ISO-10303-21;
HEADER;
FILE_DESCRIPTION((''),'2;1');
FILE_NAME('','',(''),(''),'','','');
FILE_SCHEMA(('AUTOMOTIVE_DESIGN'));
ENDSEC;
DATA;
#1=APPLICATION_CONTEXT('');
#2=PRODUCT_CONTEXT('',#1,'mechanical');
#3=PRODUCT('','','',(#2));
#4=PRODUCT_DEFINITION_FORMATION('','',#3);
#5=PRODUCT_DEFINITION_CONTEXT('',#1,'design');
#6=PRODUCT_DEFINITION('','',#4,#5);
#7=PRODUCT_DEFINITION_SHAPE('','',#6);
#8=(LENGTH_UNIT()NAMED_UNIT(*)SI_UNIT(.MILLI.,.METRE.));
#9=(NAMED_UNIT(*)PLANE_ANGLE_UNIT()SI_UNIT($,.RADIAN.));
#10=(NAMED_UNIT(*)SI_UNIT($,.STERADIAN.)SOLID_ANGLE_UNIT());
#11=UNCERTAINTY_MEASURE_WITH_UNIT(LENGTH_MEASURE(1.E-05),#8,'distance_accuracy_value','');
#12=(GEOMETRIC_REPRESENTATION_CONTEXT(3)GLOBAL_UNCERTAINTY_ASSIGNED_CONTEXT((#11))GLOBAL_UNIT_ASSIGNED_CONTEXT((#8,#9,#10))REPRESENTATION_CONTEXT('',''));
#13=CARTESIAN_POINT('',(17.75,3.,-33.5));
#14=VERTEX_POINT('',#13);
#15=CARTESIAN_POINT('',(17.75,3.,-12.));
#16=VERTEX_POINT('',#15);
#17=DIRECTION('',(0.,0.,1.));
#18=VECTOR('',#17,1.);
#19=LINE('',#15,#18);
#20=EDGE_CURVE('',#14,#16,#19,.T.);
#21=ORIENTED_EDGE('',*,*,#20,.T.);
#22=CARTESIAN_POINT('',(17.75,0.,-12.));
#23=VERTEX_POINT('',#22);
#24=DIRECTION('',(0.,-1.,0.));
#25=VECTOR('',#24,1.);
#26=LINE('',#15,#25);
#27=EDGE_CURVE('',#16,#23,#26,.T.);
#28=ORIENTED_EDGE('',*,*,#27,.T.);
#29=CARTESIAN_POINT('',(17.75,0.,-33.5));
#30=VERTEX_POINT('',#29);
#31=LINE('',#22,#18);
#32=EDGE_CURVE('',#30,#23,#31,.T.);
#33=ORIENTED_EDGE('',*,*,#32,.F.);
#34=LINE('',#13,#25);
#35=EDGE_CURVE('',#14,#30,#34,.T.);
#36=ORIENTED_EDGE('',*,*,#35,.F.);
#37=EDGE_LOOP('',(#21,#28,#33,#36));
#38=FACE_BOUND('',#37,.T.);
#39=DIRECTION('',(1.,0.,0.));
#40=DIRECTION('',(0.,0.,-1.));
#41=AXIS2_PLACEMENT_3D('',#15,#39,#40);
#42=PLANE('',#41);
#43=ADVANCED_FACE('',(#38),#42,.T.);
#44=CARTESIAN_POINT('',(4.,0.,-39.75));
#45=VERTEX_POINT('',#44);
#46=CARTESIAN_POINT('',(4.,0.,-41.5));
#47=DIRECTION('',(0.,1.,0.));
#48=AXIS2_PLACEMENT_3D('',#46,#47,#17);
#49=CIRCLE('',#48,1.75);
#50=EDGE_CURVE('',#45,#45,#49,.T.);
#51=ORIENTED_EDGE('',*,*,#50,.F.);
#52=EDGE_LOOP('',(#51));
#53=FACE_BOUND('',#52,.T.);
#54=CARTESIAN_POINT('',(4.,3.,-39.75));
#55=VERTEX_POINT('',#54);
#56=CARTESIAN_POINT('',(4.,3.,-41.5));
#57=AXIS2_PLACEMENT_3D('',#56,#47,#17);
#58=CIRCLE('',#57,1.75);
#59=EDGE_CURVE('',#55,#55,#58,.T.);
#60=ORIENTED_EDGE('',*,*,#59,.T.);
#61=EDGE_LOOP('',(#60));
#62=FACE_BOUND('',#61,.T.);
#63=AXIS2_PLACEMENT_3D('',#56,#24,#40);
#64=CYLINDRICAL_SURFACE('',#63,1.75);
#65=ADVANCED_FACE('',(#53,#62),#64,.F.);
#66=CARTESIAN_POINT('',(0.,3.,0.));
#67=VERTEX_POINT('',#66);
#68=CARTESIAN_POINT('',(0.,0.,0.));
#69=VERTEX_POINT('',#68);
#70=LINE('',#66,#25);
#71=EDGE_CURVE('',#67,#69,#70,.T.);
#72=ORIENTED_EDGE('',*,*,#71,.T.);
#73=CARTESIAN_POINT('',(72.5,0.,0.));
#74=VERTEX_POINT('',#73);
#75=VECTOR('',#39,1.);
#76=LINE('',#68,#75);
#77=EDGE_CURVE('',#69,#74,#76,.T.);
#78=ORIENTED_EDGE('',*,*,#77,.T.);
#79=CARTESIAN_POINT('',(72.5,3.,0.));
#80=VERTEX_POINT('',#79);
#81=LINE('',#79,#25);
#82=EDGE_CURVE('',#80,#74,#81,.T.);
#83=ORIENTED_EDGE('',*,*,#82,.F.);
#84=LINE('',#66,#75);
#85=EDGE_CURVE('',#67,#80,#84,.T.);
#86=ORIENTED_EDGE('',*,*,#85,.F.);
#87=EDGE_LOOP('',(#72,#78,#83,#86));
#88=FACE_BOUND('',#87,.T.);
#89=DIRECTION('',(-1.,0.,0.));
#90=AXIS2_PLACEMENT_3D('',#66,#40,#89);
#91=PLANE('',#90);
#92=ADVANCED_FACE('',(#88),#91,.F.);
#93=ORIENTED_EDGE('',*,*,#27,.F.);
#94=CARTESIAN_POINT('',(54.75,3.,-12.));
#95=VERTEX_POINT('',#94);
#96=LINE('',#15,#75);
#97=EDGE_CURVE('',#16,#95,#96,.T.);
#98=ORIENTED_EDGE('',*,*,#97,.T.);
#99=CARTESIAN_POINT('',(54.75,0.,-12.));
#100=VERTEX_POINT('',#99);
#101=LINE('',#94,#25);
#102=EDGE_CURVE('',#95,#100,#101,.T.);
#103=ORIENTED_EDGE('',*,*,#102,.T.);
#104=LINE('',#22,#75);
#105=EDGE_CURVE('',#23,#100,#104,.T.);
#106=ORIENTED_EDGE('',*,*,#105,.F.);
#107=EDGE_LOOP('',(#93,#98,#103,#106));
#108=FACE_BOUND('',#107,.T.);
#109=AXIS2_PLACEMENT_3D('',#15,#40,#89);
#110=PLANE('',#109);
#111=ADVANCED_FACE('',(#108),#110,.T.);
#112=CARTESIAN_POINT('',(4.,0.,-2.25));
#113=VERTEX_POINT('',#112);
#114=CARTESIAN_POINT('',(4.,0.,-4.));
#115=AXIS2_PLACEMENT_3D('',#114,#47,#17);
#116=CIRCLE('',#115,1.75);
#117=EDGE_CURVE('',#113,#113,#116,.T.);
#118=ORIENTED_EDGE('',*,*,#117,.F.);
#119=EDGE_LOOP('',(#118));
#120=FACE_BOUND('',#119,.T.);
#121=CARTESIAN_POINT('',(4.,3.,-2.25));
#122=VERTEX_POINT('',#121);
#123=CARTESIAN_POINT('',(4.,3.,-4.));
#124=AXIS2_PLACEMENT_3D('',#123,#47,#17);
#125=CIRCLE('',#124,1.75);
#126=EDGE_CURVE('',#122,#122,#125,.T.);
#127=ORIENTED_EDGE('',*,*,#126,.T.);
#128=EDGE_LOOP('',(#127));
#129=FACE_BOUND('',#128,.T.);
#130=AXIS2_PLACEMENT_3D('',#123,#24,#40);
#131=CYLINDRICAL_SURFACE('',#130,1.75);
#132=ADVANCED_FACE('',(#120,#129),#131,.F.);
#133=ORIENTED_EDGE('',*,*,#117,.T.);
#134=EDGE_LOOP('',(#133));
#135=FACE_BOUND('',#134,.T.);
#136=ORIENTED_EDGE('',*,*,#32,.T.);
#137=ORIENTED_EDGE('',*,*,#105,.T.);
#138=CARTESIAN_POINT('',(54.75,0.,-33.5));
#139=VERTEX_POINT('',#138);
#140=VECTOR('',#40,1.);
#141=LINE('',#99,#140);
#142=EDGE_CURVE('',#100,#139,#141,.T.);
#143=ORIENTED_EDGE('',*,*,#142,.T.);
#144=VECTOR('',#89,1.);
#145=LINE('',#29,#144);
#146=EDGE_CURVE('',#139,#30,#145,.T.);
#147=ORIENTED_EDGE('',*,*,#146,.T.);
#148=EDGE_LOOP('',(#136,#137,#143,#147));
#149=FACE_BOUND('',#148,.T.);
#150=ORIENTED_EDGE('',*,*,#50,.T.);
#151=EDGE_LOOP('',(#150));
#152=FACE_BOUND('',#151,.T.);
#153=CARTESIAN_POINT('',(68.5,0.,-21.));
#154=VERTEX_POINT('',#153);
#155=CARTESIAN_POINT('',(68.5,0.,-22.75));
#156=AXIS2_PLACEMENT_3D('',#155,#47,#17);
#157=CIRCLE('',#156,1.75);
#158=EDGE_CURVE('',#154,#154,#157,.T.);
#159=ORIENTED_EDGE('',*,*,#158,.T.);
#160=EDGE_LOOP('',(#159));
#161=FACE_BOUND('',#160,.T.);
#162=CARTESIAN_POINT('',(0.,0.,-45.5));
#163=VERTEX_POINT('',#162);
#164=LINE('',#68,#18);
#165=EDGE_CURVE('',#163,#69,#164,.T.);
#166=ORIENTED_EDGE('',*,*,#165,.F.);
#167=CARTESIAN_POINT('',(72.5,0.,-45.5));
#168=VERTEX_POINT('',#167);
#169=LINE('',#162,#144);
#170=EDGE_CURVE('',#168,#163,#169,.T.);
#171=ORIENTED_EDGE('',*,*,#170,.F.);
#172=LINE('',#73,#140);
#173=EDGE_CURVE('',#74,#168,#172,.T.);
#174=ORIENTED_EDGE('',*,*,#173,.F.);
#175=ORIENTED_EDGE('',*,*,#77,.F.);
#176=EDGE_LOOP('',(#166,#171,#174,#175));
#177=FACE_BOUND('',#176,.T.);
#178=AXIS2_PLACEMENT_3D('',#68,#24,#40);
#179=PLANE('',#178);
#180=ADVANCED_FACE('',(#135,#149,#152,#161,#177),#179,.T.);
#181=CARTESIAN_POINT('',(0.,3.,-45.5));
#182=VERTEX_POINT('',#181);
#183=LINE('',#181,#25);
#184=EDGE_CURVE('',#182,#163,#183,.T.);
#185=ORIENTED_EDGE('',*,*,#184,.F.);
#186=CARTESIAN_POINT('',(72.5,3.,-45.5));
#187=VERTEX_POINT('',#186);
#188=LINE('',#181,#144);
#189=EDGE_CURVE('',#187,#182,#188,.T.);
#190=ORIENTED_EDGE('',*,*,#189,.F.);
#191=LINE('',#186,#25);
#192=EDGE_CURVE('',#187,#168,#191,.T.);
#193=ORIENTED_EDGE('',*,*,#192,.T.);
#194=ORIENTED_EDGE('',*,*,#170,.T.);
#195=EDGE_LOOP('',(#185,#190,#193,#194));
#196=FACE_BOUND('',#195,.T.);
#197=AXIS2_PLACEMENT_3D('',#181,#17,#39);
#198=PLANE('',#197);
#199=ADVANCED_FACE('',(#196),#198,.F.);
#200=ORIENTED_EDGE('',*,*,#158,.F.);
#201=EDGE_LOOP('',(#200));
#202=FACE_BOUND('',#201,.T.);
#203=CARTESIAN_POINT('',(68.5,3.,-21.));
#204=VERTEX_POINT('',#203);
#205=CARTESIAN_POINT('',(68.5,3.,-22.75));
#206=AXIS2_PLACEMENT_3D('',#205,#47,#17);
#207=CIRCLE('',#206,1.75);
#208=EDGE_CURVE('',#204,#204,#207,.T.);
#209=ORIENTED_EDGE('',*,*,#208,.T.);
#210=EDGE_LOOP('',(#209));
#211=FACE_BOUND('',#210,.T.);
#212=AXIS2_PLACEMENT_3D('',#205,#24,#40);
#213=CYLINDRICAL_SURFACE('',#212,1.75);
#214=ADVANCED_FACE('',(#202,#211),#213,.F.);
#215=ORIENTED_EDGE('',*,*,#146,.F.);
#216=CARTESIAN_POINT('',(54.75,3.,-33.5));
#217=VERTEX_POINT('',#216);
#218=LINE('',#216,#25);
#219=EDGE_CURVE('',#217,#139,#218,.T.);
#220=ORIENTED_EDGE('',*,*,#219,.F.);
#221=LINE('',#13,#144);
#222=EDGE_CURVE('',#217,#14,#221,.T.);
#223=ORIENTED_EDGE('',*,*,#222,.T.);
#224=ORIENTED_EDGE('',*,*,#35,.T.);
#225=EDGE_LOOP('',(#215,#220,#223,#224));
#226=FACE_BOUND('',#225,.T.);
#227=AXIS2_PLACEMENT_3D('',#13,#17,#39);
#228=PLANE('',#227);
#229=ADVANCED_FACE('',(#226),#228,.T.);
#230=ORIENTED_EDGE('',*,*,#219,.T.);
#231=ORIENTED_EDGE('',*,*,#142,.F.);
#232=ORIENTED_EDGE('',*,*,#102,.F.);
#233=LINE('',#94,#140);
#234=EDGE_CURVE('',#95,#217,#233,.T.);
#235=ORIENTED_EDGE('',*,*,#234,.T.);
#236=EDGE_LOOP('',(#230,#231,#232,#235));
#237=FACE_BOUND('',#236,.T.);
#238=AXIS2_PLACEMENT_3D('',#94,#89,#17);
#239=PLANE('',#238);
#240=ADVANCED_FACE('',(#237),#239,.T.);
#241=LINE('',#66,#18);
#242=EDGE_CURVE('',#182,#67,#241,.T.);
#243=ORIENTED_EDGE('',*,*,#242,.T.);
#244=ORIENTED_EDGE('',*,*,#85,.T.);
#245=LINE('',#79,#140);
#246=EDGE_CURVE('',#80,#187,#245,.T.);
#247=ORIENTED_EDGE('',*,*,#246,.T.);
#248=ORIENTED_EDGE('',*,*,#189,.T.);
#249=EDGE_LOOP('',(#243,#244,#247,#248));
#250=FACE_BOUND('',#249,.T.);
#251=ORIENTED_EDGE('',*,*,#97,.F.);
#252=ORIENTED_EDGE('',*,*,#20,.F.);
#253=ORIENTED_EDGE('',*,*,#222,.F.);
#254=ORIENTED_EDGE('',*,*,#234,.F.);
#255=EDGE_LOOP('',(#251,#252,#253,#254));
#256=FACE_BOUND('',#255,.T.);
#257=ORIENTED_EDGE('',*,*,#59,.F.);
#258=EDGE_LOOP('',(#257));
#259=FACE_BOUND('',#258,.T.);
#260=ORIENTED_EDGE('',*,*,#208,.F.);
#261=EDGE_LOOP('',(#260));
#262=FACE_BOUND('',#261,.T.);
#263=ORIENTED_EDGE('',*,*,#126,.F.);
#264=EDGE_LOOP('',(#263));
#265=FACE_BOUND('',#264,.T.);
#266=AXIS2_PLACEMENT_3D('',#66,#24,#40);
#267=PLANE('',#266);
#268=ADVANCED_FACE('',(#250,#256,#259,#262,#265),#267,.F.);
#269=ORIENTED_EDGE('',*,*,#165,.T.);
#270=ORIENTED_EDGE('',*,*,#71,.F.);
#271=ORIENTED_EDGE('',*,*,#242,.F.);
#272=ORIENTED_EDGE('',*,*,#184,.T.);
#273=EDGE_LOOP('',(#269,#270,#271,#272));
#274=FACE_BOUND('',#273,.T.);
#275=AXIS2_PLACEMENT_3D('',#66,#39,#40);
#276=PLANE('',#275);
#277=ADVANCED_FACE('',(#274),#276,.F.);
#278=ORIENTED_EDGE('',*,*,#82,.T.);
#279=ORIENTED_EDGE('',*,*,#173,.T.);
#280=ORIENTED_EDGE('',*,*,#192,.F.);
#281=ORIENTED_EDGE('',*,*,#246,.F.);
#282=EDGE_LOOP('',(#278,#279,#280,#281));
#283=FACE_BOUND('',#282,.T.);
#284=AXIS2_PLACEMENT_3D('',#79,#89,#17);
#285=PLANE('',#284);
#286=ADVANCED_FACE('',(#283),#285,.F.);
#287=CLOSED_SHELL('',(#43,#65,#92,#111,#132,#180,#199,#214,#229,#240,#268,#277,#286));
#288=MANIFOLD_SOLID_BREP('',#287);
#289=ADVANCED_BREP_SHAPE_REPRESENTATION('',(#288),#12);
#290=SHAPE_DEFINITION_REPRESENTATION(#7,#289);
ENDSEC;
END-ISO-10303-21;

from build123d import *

# Parameters (mm, degrees)
SKETCH1_W           = 72.5
SKETCH1_H           = 45.5
SKETCH1_R           = 1.75
SKETCH1_W_2         = 37
SKETCH1_H_2         = 21.5
BOSS_EXTRUDE1_DEPTH = 3


with BuildPart() as part:
    # Sketch1 → Boss-Extrude1 (new body)
    with BuildSketch(Plane(origin=(0, 0, 0), x_dir=(1, 0, 0), z_dir=(0, 1, 0))):
        with Locations((36.25, 22.75)):
            Rectangle(SKETCH1_W, SKETCH1_H)
        with Locations((68.5, 22.75)):
            Circle(SKETCH1_R, mode=Mode.SUBTRACT)
        with Locations((4, 41.5)):
            Circle(SKETCH1_R, mode=Mode.SUBTRACT)
        with Locations((4, 4)):
            Circle(SKETCH1_R, mode=Mode.SUBTRACT)
        with Locations((36.25, 22.75)):
            Rectangle(SKETCH1_W_2, SKETCH1_H_2, mode=Mode.SUBTRACT)
    extrude(amount=BOSS_EXTRUDE1_DEPTH)


solid = part.part
